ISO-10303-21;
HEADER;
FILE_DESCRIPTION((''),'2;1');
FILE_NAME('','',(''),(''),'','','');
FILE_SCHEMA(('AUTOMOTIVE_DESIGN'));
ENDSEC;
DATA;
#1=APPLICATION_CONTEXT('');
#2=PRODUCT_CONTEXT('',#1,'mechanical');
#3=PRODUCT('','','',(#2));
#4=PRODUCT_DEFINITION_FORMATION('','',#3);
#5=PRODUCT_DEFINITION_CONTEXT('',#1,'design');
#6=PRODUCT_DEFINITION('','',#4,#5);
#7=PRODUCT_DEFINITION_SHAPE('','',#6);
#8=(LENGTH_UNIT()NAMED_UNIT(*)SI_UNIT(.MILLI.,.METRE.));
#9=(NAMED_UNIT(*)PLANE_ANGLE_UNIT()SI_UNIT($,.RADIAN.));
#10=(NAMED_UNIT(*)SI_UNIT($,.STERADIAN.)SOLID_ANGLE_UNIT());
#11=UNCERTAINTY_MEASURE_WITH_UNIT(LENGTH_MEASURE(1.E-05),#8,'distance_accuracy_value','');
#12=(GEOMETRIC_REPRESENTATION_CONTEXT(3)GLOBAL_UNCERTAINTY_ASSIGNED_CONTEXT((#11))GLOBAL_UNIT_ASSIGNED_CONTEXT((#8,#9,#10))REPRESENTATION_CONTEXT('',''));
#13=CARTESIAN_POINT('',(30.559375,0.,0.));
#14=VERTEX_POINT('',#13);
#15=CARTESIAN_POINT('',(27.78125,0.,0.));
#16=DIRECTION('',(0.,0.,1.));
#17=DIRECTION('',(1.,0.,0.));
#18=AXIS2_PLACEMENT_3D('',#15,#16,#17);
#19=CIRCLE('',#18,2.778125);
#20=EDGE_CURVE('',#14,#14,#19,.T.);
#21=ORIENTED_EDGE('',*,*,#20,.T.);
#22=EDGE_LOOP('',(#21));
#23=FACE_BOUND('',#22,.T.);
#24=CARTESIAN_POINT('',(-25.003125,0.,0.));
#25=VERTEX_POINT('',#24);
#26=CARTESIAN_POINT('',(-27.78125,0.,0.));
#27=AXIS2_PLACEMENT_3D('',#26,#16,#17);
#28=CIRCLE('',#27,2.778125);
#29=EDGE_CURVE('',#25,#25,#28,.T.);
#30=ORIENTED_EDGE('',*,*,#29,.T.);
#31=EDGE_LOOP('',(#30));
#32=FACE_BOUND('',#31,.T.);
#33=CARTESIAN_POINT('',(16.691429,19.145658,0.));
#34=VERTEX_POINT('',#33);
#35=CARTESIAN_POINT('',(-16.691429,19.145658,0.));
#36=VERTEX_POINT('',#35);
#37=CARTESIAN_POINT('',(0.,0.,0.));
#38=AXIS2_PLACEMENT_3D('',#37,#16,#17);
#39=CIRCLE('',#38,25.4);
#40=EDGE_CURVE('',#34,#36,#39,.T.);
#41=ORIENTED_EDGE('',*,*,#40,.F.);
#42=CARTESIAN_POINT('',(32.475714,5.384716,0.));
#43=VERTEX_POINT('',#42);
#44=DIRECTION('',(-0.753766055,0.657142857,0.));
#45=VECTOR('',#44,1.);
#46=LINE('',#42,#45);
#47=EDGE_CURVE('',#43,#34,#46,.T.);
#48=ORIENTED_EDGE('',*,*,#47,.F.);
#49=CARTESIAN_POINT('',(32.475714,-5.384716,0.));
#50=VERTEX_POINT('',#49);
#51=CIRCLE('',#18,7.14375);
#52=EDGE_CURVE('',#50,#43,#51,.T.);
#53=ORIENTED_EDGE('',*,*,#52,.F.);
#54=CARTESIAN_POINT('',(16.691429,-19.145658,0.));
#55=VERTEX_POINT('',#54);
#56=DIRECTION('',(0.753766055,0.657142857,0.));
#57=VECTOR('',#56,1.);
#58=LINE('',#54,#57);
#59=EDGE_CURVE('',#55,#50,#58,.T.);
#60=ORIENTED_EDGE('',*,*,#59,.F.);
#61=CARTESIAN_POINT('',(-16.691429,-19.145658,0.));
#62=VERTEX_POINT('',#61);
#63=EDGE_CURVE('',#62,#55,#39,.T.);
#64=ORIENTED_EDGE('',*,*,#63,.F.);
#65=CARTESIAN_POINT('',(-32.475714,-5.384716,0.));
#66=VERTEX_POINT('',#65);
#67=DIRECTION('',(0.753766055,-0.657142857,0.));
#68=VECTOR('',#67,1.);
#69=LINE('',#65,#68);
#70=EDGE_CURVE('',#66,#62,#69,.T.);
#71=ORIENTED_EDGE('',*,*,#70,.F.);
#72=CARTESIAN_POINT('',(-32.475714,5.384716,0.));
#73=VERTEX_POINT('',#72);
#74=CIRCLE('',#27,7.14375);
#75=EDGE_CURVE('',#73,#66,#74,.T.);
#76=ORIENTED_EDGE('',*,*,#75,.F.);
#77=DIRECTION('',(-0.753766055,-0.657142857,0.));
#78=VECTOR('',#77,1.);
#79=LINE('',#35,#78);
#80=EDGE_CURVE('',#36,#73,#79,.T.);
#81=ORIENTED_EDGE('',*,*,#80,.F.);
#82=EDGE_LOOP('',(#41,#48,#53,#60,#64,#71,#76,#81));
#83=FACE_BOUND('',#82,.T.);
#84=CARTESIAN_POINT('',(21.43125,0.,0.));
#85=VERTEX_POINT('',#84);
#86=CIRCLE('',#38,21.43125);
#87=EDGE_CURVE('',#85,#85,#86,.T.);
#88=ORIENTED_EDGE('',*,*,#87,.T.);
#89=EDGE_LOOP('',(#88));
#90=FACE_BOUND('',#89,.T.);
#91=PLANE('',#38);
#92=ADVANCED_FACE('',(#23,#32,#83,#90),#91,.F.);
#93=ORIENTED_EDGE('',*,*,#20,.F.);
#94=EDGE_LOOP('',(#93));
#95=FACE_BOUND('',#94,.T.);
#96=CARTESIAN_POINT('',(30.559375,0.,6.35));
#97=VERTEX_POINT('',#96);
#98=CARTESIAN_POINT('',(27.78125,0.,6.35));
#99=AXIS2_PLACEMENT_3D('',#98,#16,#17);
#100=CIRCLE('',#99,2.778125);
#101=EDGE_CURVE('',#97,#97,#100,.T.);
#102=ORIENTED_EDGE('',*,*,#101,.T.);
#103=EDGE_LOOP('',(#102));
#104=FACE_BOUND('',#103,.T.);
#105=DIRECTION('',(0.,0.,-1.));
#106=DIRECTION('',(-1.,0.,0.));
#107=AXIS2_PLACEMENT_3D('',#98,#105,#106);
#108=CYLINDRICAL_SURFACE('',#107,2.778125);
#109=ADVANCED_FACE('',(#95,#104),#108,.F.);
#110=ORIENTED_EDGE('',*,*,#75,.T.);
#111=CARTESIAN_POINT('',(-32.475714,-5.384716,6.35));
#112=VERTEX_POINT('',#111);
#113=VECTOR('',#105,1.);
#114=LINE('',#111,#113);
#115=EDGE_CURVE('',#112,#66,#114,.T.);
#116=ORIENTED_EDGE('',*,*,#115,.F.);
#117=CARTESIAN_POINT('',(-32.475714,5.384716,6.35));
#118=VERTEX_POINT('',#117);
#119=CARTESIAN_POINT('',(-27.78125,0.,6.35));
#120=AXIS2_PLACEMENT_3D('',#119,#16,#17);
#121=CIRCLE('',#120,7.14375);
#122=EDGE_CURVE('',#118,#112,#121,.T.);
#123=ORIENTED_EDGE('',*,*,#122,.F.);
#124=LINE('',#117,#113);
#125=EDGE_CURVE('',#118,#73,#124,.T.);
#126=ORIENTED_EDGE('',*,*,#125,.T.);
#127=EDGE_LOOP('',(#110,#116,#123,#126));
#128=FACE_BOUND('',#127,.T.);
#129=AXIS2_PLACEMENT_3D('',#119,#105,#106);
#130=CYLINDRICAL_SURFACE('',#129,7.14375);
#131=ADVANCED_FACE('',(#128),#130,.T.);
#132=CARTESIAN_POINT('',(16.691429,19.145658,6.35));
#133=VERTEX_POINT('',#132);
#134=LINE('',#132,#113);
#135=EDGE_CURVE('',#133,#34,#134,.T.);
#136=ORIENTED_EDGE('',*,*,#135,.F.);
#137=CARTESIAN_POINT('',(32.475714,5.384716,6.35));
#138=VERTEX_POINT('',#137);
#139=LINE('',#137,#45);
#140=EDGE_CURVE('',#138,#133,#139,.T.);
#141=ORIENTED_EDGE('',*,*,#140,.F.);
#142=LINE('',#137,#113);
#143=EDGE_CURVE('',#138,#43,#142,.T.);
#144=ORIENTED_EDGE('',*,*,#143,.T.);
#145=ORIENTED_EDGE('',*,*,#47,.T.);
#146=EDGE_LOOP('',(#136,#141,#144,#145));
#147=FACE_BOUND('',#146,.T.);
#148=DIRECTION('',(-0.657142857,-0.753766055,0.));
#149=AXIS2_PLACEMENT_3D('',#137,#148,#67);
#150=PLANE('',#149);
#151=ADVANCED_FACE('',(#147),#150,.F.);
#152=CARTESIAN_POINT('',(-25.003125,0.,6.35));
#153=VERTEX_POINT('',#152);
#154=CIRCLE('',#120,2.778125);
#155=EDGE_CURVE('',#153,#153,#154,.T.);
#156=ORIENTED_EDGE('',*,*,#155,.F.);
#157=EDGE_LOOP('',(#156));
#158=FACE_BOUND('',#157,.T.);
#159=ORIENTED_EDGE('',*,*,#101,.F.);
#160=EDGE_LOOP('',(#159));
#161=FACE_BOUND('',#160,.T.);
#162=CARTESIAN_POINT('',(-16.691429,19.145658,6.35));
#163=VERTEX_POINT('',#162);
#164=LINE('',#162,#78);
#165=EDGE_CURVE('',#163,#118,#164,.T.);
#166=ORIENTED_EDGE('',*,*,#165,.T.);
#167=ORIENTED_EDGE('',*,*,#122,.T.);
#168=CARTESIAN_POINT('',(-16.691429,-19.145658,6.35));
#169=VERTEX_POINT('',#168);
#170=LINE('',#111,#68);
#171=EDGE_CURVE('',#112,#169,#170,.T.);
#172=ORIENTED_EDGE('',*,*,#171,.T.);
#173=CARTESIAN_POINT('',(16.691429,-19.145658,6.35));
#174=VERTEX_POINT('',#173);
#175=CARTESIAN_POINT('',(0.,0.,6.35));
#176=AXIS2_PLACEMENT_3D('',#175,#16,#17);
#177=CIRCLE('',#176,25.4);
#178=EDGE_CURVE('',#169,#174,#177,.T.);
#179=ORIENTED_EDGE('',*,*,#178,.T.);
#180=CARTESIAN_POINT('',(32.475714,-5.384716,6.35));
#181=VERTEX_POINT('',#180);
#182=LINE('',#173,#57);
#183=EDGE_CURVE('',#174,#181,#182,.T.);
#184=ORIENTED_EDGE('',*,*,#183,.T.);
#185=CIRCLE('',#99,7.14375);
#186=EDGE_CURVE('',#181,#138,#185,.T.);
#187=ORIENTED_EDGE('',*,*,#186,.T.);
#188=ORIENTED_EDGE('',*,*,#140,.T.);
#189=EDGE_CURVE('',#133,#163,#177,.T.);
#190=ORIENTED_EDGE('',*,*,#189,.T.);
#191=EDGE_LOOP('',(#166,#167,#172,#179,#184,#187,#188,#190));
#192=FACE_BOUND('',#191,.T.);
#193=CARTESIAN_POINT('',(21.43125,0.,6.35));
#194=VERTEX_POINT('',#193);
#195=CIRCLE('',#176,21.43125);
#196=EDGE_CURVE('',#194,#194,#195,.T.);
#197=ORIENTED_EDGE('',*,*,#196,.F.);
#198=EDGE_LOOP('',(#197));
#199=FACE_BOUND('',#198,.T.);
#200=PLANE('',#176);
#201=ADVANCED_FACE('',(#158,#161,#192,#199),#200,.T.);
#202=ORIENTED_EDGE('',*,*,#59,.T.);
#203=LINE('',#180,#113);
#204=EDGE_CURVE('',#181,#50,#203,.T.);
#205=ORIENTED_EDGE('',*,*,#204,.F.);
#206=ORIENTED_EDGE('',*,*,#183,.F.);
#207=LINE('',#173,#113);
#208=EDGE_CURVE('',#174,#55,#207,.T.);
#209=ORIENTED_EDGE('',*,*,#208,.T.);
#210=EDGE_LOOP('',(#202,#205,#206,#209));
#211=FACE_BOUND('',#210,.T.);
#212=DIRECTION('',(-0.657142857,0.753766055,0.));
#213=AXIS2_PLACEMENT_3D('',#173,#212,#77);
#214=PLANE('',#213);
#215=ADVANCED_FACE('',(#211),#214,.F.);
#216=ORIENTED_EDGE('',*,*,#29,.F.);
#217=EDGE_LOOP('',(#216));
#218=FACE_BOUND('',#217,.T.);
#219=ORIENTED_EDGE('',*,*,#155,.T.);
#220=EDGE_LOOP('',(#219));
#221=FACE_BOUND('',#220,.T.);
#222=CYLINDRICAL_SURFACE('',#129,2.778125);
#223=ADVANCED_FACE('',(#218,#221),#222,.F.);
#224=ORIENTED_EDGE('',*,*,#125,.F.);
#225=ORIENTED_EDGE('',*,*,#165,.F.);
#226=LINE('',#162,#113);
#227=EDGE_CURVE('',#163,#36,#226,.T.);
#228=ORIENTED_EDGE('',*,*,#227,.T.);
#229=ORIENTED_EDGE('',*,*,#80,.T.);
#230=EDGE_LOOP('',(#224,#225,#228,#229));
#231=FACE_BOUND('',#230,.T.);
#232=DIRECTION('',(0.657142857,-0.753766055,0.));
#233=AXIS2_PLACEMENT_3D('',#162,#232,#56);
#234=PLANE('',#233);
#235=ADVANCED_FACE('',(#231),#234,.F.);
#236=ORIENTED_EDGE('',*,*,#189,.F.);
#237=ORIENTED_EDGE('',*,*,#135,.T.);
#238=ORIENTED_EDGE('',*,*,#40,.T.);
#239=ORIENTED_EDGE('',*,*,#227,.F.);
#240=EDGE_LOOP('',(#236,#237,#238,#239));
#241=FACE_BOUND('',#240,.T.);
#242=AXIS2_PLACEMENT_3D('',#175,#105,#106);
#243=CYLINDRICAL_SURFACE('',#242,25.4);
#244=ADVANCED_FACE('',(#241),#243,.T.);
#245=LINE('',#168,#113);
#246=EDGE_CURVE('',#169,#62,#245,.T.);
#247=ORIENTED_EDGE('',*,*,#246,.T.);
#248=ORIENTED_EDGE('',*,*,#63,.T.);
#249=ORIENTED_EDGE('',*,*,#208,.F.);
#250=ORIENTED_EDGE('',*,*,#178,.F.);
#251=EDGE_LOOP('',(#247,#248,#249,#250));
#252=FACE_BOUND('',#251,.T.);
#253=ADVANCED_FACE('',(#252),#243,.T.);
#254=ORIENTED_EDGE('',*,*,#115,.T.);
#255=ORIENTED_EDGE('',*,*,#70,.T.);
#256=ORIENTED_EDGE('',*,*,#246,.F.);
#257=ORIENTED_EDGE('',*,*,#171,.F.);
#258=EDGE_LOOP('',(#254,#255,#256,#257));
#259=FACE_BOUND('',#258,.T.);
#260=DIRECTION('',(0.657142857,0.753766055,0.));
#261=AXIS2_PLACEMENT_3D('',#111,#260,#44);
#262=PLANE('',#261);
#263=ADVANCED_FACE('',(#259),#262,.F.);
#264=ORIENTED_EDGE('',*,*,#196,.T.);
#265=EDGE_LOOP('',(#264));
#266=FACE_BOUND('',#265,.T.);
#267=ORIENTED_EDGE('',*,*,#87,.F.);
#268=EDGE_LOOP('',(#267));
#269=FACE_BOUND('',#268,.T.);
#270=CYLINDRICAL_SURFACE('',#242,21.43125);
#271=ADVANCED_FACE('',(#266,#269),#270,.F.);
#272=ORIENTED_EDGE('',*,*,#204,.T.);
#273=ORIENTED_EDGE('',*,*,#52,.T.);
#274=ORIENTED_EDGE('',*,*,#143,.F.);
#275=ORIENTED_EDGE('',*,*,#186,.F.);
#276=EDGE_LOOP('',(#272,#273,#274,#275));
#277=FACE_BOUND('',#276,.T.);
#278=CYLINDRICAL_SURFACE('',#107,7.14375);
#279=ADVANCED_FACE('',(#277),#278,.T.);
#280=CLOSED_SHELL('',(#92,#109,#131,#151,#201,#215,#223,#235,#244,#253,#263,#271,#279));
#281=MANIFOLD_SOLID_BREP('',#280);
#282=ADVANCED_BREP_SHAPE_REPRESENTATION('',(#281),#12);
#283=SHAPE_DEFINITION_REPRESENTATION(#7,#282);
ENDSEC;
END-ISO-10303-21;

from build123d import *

# Parameters (mm, degrees)
SKETCH1_R           = 2.778125
SKETCH1_R_2         = 21.43125
BOSS_EXTRUDE1_DEPTH = 6.35


with BuildPart() as part:
    # Sketch1 → Boss-Extrude1 (new body)
    with BuildSketch(Plane.XY):
        with BuildLine():
            Line((-16.691428571, 19.145657791), (-32.475714286, 5.384716254))
            ThreePointArc((-32.475714286, 5.384716254), (-34.925, 0), (-32.475714286, -5.384716254))
            Line((-32.475714286, -5.384716254), (-16.691428571, -19.145657791))
            ThreePointArc((-16.691428571, -19.145657791), (0, -25.4), (16.691428571, -19.145657791))
            Line((16.691428571, -19.145657791), (32.475714286, -5.384716254))
            ThreePointArc((32.475714286, -5.384716254), (34.925, 0), (32.475714286, 5.384716254))
            Line((32.475714286, 5.384716254), (16.691428571, 19.145657791))
            ThreePointArc((16.691428571, 19.145657791), (0, 25.4), (-16.691428571, 19.145657791))
        make_face()
        with Locations((27.78125, 0)):
            Circle(SKETCH1_R, mode=Mode.SUBTRACT)
        with Locations((-27.78125, 0)):
            Circle(SKETCH1_R, mode=Mode.SUBTRACT)
        Circle(SKETCH1_R_2, mode=Mode.SUBTRACT)
    extrude(amount=BOSS_EXTRUDE1_DEPTH)


solid = part.part
